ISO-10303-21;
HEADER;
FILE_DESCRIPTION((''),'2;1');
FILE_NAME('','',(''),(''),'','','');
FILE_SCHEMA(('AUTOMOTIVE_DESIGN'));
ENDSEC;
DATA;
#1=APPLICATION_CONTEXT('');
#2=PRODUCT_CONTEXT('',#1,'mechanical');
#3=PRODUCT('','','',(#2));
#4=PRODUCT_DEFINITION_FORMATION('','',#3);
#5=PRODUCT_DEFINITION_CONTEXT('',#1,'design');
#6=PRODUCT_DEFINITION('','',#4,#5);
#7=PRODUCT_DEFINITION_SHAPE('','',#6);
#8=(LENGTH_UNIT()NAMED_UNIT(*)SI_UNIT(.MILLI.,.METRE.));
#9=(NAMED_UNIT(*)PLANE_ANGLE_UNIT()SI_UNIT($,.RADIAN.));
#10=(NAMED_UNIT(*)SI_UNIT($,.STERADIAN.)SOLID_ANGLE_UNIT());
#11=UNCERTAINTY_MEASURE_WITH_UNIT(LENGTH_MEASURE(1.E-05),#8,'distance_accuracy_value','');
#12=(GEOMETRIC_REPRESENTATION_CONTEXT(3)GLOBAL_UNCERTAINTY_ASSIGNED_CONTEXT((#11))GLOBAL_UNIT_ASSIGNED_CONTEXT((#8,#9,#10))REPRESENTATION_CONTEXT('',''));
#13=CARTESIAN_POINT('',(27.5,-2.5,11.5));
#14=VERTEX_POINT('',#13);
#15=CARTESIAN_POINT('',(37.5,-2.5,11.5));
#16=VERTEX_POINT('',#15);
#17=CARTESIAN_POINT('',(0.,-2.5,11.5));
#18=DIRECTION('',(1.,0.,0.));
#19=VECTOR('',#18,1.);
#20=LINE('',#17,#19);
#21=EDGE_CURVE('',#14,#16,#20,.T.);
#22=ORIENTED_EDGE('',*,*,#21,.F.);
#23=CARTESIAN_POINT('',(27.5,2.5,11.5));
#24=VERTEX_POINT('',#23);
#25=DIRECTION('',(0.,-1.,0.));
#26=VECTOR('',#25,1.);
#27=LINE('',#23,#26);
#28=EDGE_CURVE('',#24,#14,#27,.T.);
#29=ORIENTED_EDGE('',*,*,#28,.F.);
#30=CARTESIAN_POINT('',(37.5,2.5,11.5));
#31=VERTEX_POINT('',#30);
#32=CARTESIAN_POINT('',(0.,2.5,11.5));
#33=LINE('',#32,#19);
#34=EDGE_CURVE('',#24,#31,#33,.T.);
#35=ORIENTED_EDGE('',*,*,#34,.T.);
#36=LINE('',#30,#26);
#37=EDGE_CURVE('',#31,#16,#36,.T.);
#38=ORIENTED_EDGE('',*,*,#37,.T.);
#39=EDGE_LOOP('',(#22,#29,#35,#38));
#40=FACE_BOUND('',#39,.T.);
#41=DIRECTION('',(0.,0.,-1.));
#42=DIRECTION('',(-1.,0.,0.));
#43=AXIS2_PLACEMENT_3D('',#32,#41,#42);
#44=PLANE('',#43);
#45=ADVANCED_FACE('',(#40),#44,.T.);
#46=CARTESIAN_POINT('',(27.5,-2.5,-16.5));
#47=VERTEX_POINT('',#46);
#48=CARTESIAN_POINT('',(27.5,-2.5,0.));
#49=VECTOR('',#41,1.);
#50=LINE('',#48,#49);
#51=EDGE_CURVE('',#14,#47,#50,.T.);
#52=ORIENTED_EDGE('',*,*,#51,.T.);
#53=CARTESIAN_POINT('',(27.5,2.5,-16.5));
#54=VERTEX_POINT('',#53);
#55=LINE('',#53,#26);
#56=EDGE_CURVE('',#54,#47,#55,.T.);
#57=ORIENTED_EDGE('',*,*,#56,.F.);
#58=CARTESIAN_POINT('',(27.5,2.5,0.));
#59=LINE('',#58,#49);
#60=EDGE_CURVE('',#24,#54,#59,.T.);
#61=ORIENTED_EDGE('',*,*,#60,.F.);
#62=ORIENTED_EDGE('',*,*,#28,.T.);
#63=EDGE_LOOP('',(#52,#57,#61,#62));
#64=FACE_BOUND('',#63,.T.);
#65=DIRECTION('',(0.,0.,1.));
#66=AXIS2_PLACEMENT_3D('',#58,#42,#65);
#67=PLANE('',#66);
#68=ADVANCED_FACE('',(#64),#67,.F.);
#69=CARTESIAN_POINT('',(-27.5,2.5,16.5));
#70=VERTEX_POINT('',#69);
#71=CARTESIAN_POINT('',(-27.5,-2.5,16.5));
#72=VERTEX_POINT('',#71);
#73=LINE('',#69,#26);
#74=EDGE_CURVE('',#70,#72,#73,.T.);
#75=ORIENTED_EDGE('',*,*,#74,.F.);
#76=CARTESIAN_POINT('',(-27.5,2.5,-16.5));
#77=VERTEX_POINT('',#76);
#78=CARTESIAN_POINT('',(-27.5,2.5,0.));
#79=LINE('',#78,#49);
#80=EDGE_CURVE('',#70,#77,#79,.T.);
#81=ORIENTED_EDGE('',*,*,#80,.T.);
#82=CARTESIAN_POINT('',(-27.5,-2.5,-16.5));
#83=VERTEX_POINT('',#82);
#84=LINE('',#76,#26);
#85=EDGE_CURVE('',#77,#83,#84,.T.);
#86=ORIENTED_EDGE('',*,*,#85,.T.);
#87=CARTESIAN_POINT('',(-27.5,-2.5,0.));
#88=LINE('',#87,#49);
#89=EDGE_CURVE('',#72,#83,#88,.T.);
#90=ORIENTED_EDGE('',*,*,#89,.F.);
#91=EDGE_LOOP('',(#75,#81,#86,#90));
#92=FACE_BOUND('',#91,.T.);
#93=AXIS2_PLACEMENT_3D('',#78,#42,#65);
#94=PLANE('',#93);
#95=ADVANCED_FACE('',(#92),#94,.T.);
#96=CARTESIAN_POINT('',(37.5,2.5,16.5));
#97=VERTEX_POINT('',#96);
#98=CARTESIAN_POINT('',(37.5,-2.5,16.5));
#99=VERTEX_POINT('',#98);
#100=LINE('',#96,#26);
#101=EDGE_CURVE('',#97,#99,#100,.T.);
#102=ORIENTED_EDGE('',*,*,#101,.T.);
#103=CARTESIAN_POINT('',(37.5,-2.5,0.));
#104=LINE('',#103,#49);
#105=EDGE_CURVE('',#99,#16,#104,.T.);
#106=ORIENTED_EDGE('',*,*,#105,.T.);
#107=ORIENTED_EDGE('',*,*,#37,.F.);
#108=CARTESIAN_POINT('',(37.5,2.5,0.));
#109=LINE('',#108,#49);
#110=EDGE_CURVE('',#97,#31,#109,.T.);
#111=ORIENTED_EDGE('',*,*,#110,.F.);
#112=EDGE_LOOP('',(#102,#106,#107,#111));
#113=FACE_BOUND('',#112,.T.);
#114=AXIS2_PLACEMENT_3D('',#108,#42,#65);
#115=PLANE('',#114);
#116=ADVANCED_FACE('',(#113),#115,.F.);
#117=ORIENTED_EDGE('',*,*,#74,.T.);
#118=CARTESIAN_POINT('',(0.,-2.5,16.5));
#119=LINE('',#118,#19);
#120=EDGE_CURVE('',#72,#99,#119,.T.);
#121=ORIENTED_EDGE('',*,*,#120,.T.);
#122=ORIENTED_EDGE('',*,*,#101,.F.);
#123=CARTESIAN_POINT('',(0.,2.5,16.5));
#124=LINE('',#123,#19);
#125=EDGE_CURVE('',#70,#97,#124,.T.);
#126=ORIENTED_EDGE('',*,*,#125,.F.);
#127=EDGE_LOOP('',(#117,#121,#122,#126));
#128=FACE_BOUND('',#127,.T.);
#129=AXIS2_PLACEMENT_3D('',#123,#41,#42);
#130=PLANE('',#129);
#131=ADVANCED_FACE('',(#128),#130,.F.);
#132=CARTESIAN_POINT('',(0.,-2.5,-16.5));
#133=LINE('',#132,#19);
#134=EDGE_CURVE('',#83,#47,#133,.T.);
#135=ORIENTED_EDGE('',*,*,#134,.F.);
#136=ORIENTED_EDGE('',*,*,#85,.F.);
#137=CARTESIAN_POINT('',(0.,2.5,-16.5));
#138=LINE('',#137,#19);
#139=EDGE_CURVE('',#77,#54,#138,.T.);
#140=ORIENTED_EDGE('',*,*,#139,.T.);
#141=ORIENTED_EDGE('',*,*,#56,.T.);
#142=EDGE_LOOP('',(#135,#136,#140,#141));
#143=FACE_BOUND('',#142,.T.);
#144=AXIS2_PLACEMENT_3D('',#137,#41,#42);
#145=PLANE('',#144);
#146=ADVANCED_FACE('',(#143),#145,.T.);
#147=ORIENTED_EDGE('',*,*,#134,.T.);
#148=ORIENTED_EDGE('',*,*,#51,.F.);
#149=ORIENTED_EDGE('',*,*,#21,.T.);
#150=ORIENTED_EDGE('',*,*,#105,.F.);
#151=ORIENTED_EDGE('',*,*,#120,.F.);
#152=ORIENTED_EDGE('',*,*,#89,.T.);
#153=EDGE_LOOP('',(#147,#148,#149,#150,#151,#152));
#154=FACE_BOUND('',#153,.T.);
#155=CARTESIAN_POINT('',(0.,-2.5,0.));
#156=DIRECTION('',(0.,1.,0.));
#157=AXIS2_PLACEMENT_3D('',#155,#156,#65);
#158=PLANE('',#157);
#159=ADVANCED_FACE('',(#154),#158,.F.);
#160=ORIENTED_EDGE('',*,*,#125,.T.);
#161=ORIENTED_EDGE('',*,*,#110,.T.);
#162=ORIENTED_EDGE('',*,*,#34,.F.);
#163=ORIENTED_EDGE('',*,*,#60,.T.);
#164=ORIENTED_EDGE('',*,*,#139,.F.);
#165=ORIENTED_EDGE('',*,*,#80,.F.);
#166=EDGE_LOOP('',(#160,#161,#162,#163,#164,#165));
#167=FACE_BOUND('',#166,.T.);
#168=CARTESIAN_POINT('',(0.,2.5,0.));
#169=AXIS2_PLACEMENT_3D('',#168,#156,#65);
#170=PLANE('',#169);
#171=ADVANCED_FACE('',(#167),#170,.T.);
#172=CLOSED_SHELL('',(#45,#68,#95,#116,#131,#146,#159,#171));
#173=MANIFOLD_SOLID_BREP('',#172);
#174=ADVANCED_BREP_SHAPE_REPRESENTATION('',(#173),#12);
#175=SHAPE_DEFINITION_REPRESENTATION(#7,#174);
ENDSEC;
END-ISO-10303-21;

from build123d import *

# Parameters (mm, degrees)
SKETCH1_W           = 55
SKETCH1_H           = 33
SKETCH1_W_2         = 10
SKETCH1_H_2         = 5
BOSS_EXTRUDE1_DEPTH = 2.5


with BuildPart() as part:
    # Sketch1 → Boss-Extrude1 (new body, symmetric)
    with BuildSketch(Plane(origin=(0, 0, 0), x_dir=(1, 0, 0), z_dir=(0, 1, 0))):
        Rectangle(SKETCH1_W, SKETCH1_H)
        with Locations((32.5, -14)):
            Rectangle(SKETCH1_W_2, SKETCH1_H_2)
    extrude(amount=BOSS_EXTRUDE1_DEPTH, both=True)


solid = part.part
